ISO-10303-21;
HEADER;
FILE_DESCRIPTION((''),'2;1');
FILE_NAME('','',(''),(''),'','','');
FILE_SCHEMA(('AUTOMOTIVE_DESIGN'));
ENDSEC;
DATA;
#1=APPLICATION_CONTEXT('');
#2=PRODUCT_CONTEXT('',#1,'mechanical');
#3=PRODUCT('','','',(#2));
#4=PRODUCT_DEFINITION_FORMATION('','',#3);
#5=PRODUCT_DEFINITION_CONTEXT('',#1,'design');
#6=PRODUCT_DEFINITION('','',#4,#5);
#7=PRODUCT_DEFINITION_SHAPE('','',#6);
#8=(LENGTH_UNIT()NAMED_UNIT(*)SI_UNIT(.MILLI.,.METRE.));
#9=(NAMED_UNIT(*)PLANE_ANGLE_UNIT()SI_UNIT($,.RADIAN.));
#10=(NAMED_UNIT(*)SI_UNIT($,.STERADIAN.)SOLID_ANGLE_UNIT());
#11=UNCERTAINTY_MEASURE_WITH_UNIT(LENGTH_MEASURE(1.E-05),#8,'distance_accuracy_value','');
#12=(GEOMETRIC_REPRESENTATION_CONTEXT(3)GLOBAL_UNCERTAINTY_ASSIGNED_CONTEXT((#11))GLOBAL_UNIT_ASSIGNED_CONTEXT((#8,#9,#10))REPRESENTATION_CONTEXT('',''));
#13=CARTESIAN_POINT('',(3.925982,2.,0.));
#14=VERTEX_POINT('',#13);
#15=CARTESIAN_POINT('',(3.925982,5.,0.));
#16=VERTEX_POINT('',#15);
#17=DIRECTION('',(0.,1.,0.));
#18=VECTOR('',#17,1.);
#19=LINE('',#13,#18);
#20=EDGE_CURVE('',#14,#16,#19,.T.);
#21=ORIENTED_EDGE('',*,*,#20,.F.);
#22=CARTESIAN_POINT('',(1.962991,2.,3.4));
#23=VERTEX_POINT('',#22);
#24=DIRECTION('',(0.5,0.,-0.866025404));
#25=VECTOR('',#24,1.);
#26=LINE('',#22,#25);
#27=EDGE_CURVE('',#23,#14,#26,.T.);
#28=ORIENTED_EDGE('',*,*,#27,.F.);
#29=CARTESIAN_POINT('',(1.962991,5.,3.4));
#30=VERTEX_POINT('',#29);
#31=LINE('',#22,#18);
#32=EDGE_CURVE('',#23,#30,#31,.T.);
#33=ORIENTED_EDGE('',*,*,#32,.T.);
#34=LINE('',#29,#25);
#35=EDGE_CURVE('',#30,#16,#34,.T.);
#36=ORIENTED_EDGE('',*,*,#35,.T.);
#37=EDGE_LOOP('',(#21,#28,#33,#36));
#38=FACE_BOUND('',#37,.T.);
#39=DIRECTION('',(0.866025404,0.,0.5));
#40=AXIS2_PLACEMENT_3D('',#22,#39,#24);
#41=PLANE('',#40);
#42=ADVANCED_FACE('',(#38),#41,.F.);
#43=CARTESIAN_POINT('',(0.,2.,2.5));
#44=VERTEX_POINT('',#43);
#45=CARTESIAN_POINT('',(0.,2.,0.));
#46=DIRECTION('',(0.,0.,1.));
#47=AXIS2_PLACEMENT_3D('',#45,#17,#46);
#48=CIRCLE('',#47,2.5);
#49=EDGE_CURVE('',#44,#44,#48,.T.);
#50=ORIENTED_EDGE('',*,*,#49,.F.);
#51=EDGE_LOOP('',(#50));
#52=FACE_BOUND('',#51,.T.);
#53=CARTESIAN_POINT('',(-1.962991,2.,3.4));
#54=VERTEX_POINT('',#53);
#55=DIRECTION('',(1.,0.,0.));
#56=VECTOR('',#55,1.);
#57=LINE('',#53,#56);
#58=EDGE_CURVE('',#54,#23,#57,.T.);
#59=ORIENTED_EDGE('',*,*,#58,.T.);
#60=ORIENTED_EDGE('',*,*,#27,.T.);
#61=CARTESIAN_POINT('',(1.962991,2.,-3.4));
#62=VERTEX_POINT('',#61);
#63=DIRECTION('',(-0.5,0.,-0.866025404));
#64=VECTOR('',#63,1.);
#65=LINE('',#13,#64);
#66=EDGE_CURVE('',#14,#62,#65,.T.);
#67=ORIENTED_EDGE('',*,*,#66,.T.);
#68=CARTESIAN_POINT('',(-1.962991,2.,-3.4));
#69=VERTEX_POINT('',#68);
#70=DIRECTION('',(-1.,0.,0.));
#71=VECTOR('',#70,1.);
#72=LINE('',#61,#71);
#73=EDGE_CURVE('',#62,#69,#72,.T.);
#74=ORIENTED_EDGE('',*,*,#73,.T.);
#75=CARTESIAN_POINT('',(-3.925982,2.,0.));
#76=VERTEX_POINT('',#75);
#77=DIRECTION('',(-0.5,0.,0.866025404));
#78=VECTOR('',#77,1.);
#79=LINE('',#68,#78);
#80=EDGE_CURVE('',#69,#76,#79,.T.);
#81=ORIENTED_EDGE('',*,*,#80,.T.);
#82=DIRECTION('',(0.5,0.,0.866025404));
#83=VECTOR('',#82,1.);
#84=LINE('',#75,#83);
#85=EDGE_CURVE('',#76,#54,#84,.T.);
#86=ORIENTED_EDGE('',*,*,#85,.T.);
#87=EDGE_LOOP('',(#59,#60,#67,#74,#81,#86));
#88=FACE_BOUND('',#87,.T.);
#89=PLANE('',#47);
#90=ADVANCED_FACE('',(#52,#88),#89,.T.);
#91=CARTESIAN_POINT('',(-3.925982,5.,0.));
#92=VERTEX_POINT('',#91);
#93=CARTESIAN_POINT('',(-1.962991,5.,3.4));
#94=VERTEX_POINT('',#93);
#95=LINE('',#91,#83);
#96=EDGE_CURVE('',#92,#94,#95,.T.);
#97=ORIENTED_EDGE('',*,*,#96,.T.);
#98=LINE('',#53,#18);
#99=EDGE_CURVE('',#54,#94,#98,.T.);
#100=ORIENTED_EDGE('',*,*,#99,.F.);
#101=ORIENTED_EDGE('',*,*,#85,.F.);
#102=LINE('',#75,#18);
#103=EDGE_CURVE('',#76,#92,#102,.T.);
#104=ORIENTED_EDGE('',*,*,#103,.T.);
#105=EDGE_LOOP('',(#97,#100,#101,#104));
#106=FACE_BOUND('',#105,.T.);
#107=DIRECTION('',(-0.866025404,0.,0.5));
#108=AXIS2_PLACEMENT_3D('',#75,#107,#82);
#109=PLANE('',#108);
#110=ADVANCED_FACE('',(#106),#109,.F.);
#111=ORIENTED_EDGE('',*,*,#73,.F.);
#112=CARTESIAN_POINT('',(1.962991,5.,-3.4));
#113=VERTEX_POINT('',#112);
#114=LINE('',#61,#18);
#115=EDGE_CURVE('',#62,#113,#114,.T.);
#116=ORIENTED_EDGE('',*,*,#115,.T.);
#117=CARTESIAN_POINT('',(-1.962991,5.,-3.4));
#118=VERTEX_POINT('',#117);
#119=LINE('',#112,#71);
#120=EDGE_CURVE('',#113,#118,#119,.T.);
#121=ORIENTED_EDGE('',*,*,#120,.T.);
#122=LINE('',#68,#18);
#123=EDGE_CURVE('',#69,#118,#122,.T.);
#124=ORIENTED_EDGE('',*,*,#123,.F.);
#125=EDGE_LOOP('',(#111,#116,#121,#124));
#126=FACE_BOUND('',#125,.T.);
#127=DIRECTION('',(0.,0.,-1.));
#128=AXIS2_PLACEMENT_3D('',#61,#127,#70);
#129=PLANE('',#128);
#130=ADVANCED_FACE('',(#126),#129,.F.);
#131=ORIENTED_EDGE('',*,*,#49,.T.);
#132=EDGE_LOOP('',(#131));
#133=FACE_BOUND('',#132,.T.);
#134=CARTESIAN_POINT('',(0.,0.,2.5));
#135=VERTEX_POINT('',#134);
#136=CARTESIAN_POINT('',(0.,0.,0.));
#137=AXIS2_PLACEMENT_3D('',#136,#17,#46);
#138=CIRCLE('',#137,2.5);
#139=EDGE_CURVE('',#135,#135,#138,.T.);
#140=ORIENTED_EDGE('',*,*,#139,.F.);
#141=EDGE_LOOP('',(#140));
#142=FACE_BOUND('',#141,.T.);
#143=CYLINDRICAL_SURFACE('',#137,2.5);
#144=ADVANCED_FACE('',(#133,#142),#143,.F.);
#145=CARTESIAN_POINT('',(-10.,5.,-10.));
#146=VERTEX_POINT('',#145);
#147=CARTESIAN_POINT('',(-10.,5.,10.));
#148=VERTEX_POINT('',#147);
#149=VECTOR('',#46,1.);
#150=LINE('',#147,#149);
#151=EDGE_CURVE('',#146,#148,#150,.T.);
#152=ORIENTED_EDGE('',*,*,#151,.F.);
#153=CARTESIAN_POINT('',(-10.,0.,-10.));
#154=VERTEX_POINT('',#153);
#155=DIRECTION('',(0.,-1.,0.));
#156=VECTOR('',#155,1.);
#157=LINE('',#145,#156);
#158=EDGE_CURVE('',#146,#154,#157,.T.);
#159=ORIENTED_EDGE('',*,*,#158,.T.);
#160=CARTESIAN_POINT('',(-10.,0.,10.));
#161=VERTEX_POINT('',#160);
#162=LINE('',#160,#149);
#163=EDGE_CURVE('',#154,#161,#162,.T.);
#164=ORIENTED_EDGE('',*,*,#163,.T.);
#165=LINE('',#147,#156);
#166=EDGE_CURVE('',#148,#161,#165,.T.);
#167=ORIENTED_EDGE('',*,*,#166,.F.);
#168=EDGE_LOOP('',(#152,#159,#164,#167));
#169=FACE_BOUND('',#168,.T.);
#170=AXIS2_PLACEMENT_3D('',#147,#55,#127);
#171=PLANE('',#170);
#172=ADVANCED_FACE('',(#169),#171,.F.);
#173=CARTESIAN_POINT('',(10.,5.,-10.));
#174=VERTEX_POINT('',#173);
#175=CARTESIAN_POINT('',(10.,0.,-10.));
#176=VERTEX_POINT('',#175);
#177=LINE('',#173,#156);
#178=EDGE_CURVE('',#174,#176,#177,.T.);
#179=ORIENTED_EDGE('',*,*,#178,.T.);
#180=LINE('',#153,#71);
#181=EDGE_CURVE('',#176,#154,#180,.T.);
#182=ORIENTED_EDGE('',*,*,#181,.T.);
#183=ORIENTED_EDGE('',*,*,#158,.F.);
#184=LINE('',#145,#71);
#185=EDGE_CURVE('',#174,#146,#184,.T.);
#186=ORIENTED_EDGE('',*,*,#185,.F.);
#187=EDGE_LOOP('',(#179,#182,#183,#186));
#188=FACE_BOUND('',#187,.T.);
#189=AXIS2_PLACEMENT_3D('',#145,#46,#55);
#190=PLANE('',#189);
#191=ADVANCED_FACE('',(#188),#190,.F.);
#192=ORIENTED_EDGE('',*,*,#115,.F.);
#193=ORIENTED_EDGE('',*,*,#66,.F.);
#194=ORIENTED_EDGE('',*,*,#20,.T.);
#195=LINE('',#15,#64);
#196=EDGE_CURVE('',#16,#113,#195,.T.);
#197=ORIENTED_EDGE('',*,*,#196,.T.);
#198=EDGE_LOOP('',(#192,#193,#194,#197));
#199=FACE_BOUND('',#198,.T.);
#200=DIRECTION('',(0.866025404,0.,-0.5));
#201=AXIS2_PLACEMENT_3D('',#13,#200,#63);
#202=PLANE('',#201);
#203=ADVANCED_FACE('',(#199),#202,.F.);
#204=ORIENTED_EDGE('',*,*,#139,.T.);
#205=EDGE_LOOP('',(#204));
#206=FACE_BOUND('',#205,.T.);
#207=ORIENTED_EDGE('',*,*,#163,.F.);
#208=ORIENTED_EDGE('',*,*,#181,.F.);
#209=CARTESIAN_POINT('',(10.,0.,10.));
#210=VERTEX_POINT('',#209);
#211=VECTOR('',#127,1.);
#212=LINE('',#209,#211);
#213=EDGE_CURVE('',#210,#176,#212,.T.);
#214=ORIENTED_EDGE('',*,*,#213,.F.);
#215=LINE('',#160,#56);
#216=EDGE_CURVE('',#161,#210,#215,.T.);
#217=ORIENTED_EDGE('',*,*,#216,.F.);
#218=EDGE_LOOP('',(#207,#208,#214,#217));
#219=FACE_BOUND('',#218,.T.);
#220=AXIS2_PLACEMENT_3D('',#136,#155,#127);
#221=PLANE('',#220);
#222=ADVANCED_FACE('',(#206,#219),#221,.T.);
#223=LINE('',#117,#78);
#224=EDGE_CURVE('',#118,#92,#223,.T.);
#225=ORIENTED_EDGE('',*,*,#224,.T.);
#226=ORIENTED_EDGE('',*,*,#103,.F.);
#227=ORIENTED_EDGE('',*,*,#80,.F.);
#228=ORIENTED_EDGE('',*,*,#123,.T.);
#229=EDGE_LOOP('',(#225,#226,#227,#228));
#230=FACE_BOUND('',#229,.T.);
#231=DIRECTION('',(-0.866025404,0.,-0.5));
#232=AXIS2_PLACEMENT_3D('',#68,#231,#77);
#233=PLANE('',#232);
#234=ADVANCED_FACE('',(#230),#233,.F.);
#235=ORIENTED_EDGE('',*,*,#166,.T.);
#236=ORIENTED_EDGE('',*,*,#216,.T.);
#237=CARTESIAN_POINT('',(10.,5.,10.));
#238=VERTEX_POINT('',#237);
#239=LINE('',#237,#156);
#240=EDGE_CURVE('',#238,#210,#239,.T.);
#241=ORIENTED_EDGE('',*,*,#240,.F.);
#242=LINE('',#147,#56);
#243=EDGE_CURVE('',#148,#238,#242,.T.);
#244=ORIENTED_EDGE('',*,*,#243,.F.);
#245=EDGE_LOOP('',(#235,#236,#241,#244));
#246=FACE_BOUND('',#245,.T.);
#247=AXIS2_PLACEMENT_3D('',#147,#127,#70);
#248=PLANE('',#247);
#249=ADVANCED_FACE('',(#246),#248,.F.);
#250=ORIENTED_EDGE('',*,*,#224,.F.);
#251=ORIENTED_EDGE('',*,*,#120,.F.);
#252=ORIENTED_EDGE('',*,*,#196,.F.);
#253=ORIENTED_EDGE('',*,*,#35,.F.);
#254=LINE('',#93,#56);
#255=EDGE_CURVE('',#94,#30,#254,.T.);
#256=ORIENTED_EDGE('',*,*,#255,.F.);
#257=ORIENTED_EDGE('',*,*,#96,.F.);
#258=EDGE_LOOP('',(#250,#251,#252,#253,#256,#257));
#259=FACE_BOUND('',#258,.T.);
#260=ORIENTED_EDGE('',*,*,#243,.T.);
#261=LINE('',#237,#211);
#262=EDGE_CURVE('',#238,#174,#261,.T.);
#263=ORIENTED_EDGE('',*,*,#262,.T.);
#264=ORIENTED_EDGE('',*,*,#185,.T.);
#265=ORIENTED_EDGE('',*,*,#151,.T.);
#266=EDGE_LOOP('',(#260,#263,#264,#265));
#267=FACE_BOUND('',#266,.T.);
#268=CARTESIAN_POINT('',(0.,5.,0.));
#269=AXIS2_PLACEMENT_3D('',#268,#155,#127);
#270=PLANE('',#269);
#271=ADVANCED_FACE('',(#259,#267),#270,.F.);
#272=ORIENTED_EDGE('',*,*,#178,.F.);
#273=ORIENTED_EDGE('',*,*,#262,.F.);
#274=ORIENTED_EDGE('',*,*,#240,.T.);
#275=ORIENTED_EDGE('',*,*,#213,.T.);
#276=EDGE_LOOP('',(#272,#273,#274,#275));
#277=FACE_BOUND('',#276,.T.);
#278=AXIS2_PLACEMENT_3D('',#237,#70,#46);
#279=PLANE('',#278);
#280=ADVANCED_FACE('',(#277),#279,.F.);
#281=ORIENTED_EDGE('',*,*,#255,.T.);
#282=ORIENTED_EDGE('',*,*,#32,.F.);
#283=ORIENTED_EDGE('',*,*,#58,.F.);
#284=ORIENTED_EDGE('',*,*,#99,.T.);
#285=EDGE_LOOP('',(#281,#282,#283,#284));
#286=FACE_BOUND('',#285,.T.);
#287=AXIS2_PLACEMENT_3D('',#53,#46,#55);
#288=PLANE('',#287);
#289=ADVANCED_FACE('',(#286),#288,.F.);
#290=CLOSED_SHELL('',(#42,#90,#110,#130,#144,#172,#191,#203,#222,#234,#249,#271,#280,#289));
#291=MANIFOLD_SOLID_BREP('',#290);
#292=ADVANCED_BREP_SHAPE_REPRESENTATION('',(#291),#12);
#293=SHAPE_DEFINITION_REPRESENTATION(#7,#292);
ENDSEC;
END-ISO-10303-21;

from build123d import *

# Parameters (mm, degrees)
SKETCH1_W           = 20
SKETCH1_H           = 20
BOSS_EXTRUDE1_DEPTH = 5
CUT_EXTRUDE1_DEPTH  = 3
SKETCH4_R           = 2.5
CUT_EXTRUDE2_DEPTH  = 3


with BuildPart() as part:
    # Sketch1 → Boss-Extrude1 (new body)
    with BuildSketch(Plane(origin=(0, 0, 0), x_dir=(1, 0, 0), z_dir=(0, 1, 0))):
        Rectangle(SKETCH1_W, SKETCH1_H)
    extrude(amount=BOSS_EXTRUDE1_DEPTH)

    # Sketch3 → Cut-Extrude1 (cut)
    with BuildSketch(Plane(origin=(0, 5, 0), x_dir=(1, 0, 0), z_dir=(0, 1, 0))):
        Polygon((3.92598183, 0), (1.962990915, 3.4), (-1.962990915, 3.4), (-3.92598183, 0), (-1.962990915, -3.4), (1.962990915, -3.4), align=None)
    extrude(amount=-CUT_EXTRUDE1_DEPTH, mode=Mode.SUBTRACT)

    # Sketch4 → Cut-Extrude2 (cut, through all)
    with BuildSketch(Plane(origin=(0, 2, 0), x_dir=(1, 0, 0), z_dir=(0, 1, 0))):
        Circle(SKETCH4_R)
    extrude(amount=-CUT_EXTRUDE2_DEPTH, mode=Mode.SUBTRACT)


solid = part.part
